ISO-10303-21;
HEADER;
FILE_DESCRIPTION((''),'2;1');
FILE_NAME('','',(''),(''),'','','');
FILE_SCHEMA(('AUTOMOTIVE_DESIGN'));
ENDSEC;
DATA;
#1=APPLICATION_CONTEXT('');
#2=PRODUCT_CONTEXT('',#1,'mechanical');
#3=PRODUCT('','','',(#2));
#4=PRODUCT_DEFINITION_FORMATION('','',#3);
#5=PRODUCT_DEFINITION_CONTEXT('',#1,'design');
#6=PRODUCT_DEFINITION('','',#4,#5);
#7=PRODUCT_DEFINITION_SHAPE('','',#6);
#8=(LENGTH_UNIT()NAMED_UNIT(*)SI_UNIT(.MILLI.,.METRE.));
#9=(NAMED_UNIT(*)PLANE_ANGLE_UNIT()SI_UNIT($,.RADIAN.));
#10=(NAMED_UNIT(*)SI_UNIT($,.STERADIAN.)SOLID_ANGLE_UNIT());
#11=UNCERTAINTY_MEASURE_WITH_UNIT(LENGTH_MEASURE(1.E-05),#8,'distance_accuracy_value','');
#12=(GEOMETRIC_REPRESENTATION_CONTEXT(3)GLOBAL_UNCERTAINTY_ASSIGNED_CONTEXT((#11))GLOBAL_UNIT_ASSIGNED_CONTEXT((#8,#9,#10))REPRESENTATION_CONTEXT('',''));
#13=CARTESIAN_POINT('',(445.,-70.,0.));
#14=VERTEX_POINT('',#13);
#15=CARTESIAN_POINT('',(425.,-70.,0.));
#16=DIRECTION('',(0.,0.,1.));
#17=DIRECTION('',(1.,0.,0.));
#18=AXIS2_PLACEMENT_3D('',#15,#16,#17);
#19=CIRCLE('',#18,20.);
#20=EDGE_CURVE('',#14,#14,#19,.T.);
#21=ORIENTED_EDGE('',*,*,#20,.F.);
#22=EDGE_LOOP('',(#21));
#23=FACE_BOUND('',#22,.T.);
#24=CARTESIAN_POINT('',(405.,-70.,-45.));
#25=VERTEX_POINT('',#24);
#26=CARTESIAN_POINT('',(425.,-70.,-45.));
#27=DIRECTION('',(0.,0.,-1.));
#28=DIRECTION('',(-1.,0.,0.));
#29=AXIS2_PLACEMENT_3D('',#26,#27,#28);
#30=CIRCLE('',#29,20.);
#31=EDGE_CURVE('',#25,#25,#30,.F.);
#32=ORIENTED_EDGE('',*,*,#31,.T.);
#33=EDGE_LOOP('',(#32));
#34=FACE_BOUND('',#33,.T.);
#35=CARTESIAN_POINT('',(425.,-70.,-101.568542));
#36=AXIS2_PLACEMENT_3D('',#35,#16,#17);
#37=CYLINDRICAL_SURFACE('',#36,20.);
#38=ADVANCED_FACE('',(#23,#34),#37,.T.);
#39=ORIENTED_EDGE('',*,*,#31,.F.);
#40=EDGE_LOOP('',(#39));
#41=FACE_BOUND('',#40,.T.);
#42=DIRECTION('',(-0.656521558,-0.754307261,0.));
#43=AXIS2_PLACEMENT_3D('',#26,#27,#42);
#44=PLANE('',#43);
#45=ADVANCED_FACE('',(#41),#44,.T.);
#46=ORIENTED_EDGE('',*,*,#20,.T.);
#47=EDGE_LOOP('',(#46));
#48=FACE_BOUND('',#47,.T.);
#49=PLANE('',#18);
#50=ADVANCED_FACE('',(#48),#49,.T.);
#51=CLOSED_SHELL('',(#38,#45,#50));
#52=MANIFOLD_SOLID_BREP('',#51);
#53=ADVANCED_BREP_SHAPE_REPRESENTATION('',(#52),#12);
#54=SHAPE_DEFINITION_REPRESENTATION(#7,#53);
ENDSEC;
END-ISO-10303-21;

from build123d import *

# Parameters (mm, degrees)
SKETCH1_R      = 20
EXTRUDE1_DEPTH = 45


with BuildPart() as part:
    # Sketch1 → Extrude1 (new body)
    with BuildSketch(Plane.XY):
        with Locations((425, -70)):
            Circle(SKETCH1_R)
    extrude(amount=-EXTRUDE1_DEPTH)


solid = part.part
